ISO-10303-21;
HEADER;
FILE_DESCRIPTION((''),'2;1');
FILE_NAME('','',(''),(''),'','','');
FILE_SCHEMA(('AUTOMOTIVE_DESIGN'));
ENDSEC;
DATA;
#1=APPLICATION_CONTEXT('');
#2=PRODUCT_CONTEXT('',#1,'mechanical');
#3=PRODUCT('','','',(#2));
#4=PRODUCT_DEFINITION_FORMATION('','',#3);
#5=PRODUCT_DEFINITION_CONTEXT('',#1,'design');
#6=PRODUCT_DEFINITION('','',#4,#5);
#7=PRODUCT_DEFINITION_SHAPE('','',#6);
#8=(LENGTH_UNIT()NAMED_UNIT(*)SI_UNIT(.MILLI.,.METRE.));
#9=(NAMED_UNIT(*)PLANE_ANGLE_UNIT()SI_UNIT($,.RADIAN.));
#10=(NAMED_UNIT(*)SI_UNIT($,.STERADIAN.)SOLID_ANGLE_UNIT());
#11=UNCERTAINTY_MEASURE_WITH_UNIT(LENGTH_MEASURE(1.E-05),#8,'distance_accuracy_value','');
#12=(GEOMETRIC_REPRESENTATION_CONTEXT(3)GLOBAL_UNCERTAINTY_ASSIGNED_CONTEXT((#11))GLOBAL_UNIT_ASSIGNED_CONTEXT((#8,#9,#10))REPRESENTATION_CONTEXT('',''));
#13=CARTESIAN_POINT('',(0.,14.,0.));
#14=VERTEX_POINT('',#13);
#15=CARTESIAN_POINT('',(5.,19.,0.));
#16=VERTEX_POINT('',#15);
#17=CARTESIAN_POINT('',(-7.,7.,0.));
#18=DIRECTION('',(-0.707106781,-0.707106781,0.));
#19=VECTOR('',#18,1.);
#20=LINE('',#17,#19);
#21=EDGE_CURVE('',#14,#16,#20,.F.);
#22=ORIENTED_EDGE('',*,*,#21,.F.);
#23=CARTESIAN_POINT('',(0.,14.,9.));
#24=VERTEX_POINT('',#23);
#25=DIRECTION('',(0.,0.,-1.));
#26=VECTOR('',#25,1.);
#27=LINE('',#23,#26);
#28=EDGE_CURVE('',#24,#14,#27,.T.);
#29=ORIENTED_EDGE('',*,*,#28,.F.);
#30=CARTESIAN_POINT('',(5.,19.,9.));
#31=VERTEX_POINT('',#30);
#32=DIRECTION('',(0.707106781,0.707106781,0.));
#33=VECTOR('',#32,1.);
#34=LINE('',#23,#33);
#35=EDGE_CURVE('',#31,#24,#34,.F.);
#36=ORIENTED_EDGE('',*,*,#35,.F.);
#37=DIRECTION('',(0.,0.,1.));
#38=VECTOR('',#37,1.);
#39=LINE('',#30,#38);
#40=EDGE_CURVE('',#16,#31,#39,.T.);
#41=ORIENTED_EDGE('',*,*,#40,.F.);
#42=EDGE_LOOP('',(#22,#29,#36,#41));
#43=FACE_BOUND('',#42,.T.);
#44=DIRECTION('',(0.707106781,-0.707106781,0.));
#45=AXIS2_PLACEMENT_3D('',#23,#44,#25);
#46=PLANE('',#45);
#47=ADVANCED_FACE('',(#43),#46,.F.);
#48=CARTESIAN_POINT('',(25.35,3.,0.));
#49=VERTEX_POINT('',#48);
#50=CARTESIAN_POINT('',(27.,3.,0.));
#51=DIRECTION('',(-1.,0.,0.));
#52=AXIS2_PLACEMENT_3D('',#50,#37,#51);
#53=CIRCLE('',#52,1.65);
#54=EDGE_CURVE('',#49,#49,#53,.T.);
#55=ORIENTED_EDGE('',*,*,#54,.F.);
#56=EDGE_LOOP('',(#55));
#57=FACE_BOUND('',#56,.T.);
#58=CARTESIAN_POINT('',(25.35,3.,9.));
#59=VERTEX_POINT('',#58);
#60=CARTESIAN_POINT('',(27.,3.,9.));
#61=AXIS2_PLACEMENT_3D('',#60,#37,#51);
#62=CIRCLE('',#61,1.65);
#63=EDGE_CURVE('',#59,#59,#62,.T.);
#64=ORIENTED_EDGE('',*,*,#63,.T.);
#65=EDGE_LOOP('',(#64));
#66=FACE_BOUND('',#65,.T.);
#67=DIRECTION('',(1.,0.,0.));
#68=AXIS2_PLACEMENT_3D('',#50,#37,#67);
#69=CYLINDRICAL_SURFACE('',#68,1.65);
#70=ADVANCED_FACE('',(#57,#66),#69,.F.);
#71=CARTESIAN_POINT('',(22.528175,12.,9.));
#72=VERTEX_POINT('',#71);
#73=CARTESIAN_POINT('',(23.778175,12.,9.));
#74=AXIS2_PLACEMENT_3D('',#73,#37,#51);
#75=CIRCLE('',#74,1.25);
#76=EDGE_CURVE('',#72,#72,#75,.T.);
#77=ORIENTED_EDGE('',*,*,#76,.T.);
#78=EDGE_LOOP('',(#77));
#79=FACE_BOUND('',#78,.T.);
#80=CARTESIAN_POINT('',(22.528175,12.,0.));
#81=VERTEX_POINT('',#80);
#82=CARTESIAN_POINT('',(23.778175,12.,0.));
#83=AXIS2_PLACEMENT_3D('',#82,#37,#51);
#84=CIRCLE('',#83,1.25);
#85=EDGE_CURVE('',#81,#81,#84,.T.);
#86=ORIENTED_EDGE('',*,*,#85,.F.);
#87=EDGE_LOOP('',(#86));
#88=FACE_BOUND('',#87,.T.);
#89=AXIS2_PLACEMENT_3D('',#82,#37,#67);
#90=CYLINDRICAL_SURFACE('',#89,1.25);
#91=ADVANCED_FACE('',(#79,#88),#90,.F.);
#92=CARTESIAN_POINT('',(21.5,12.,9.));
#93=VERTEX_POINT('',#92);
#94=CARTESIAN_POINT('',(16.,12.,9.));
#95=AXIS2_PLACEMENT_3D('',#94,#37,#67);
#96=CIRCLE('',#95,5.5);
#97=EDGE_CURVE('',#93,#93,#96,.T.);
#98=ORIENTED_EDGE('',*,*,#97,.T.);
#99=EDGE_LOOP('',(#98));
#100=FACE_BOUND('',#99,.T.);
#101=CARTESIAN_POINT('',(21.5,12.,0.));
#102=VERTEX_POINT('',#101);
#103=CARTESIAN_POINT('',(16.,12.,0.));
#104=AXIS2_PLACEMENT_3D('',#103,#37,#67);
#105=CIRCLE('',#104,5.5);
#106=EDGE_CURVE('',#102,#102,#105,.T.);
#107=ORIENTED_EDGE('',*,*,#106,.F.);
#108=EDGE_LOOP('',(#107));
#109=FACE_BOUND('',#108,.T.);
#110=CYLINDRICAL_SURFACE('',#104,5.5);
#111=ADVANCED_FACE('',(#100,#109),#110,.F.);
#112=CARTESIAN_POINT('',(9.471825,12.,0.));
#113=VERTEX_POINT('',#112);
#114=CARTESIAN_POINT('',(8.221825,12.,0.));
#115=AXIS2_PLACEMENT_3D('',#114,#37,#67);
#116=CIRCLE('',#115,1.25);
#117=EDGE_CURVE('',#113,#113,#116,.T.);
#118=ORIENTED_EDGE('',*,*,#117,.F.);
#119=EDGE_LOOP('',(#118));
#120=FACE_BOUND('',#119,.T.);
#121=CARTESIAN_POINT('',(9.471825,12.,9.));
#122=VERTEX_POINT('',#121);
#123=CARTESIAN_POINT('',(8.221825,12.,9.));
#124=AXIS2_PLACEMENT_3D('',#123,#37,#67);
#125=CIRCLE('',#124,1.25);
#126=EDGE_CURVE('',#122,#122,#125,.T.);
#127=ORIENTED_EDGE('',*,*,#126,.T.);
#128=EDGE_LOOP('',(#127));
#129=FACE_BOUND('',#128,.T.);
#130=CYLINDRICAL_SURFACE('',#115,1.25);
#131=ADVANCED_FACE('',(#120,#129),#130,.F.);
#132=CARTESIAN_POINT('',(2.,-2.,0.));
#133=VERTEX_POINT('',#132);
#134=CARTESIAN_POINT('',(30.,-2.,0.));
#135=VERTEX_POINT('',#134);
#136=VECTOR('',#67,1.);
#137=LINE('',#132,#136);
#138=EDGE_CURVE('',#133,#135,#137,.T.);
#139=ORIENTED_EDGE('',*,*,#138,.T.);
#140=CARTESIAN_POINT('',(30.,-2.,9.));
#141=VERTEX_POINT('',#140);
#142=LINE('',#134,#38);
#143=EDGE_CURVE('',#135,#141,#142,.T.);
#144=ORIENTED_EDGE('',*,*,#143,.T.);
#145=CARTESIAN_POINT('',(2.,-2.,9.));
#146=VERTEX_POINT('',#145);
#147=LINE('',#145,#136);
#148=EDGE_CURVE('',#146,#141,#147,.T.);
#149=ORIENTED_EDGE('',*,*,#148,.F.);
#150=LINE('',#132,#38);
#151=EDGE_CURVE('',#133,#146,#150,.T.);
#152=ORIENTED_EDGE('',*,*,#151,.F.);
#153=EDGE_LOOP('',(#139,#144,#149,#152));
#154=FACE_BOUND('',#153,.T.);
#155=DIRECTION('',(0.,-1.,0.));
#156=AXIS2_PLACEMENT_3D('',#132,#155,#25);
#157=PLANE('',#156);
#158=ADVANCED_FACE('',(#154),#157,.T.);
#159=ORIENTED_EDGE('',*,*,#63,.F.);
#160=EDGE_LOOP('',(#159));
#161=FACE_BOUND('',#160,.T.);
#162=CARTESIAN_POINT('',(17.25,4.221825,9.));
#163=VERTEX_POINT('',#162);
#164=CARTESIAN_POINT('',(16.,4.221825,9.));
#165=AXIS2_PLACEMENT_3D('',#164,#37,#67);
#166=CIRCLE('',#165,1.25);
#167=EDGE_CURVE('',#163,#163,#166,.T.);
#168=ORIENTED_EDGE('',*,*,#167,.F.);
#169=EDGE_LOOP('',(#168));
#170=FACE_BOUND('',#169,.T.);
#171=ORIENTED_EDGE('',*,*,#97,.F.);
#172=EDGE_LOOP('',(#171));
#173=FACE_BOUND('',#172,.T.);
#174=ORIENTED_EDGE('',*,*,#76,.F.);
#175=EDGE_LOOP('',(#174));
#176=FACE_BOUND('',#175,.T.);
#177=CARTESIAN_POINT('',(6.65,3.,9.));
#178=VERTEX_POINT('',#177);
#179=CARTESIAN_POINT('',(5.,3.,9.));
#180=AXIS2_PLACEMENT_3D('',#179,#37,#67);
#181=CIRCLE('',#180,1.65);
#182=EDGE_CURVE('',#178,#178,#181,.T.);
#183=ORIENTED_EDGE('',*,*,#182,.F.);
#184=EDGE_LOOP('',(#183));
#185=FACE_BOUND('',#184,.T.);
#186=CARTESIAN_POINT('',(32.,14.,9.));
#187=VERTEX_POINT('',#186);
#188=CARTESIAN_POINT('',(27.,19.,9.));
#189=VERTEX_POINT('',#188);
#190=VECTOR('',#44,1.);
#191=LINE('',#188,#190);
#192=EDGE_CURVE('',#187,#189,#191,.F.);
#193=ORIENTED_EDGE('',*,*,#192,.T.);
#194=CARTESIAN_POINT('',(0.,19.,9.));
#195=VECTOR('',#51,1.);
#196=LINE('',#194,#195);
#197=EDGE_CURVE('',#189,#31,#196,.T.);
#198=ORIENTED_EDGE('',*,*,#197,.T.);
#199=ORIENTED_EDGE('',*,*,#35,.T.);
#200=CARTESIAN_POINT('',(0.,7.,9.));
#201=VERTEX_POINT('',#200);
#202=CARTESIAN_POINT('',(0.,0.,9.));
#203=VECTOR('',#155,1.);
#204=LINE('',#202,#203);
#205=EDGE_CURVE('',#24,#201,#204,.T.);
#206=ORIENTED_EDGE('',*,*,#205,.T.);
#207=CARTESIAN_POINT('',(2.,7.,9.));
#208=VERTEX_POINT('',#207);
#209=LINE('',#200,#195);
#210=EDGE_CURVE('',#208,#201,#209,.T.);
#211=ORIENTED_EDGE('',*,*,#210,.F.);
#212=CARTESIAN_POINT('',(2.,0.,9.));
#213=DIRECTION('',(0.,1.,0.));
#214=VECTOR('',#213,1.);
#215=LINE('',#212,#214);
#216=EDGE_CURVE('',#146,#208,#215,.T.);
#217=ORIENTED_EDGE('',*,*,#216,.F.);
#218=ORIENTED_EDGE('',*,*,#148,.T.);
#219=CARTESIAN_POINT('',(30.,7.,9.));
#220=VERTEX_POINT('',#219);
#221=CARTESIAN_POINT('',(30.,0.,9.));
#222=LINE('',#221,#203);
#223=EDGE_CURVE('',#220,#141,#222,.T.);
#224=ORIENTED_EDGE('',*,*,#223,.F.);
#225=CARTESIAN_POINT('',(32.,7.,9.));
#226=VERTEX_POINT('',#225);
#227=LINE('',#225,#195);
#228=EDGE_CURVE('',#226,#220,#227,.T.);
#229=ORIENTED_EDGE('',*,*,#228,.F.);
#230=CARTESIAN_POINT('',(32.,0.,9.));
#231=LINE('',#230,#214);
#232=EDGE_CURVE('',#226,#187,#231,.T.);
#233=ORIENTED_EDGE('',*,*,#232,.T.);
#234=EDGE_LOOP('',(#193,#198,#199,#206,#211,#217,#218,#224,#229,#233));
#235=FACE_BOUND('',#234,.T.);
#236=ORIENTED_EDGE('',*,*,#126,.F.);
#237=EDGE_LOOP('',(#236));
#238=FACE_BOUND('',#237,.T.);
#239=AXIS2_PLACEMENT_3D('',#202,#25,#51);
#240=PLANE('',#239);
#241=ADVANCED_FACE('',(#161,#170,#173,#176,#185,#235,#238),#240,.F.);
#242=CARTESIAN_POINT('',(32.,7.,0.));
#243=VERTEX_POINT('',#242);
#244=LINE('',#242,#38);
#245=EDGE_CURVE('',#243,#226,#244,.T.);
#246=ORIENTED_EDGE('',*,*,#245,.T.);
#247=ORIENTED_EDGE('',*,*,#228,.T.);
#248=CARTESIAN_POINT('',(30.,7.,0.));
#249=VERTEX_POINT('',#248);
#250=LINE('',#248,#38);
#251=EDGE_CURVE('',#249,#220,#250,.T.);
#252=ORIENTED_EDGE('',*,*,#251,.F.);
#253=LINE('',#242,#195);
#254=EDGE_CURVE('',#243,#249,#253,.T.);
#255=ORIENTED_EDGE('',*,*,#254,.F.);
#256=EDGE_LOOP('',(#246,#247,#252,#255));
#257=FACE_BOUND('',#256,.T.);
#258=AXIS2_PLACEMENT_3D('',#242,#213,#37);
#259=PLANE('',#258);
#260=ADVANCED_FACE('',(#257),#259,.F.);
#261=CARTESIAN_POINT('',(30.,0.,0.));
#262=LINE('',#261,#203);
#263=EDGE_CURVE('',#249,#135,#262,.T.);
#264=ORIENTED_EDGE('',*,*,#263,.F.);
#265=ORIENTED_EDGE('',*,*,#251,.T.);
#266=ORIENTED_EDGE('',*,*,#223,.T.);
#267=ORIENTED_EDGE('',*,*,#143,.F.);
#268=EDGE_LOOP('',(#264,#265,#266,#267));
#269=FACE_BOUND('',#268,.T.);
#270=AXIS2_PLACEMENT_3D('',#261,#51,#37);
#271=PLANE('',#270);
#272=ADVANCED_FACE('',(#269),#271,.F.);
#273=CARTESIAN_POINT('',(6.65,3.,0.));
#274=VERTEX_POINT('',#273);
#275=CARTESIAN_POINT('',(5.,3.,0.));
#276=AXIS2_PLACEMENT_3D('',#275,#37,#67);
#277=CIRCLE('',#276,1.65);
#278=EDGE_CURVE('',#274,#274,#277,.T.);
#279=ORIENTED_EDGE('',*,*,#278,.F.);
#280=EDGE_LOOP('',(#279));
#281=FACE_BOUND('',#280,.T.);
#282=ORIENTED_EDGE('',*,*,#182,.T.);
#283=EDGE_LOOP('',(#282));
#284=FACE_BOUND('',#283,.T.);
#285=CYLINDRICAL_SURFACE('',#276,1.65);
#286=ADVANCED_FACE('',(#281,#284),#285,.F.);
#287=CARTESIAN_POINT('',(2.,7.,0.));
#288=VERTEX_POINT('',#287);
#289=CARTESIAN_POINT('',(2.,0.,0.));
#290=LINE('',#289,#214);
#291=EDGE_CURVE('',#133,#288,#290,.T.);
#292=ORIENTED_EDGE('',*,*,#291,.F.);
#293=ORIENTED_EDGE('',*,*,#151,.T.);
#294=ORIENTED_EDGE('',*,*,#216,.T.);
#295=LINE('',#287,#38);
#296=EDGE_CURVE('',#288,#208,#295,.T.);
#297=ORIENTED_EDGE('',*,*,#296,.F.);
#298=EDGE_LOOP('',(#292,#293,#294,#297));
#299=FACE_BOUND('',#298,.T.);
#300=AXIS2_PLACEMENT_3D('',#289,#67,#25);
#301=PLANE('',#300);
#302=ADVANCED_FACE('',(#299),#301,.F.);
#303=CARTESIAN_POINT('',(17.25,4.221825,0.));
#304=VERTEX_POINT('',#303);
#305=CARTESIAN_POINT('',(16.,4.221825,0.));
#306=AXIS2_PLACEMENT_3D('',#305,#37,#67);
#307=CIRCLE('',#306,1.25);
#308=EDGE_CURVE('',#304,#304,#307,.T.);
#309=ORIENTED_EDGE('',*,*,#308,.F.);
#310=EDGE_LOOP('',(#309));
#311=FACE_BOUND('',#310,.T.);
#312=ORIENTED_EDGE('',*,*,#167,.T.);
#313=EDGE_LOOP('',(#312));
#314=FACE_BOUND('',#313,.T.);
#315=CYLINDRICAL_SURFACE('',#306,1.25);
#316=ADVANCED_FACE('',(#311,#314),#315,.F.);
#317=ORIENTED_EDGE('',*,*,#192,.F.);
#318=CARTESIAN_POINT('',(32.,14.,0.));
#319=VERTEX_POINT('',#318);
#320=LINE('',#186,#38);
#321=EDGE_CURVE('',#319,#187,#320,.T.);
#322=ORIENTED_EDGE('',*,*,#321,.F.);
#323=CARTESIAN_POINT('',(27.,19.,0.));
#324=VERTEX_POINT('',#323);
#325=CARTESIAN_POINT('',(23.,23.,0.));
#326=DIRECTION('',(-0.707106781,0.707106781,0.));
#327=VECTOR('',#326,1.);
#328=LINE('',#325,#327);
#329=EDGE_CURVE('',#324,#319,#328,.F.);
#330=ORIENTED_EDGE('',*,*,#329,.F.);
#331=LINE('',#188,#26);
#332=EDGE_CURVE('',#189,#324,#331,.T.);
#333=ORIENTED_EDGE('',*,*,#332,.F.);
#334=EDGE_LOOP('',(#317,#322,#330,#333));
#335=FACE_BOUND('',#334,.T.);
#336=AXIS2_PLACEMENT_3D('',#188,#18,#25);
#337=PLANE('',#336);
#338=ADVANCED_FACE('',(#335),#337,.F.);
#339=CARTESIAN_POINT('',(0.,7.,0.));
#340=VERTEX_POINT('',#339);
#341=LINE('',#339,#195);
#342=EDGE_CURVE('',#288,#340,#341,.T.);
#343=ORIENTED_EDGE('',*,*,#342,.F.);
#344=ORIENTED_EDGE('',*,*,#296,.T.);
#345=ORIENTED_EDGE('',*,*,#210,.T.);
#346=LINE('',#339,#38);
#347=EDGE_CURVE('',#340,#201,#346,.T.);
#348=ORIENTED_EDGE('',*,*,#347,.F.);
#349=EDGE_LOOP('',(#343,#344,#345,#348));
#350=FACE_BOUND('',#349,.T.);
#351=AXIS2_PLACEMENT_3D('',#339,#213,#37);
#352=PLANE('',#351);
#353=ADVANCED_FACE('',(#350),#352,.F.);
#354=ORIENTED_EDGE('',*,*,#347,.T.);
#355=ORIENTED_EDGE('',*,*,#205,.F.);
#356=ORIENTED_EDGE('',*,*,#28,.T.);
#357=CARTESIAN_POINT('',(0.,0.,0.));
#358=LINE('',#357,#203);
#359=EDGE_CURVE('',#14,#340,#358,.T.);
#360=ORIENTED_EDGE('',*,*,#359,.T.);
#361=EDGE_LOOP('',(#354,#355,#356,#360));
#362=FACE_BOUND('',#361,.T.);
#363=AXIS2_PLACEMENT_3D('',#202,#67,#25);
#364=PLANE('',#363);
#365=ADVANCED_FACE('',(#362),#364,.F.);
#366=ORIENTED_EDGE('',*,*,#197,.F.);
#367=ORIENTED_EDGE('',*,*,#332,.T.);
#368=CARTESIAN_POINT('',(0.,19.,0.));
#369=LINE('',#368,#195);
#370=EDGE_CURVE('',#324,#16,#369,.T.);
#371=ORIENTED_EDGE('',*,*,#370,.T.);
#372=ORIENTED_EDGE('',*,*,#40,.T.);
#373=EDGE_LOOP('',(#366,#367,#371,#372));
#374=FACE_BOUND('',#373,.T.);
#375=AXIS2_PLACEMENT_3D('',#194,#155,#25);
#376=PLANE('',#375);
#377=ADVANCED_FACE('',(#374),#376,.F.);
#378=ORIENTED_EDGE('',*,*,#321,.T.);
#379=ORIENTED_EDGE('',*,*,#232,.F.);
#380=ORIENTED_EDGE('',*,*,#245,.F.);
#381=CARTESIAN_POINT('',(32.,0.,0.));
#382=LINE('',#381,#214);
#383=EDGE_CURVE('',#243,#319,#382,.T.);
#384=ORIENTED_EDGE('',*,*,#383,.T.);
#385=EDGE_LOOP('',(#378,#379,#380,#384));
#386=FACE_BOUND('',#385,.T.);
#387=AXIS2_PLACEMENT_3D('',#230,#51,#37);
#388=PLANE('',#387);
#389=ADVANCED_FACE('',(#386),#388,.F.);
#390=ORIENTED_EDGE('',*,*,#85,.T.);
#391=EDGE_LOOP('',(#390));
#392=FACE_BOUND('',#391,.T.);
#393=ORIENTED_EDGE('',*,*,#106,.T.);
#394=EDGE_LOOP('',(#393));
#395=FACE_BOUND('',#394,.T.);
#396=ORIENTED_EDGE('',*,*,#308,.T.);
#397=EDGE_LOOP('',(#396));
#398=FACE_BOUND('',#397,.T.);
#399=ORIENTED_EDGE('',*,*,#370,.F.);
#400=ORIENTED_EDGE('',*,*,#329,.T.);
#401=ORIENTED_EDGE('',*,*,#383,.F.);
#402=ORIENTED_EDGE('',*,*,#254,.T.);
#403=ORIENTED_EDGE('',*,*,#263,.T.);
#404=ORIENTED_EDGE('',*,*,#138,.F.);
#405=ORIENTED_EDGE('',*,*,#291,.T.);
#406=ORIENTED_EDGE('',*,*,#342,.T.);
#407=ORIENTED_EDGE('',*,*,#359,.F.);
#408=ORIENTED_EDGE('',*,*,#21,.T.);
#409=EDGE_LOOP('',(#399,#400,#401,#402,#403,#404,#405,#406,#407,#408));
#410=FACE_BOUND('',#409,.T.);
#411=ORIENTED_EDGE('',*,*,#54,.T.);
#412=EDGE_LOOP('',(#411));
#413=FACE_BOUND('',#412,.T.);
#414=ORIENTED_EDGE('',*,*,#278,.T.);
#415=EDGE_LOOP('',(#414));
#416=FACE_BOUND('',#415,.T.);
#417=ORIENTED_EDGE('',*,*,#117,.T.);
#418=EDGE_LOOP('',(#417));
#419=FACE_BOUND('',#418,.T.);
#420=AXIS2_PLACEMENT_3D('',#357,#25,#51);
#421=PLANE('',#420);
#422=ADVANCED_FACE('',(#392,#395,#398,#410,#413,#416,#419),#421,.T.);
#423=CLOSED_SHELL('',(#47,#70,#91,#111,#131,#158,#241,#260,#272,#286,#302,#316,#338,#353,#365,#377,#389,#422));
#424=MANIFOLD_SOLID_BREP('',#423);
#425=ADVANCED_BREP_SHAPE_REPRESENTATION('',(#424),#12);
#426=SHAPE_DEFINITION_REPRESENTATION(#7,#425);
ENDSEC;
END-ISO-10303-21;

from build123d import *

# Parameters (mm, degrees)
ESQUISSE1_W             = 32
ESQUISSE1_H             = 19
BOSS_EXTRU_1_DEPTH      = 9
ESQUISSE2_R             = 5.5
ESQUISSE2_R_2           = 1.25
ESQUISSE2_R_3           = 1.65
ENL_V_MAT_EXTRU_1_DEPTH = 39.288379438
ESQUISSE3_W             = 2
ESQUISSE3_H             = 7
ENL_V_MAT_EXTRU_2_DEPTH = 39.288379438
ESQUISSE4_W             = 28
ESQUISSE4_H             = 2
BOSS_EXTRU_2_DEPTH      = 9
CHANFREIN1_SIZE         = 5


with BuildPart() as part:
    # Esquisse1 → Boss.-Extru.1 (new body)
    with BuildSketch(Plane.XY):
        with Locations((16, 9.5)):
            Rectangle(ESQUISSE1_W, ESQUISSE1_H)
    extrude(amount=BOSS_EXTRU_1_DEPTH)

    # Esquisse2 → Enlèv. mat.-Extru.1 (cut, through all)
    with BuildSketch(Plane.XY.offset(9)):
        with Locations((16, 12)):
            Circle(ESQUISSE2_R)
        with Locations((8.221825407, 12)):
            Circle(ESQUISSE2_R_2)
        with Locations(Location((23.778174593, 12, 0), (0, 0, 180))):
            Circle(ESQUISSE2_R_2)
        with Locations((16, 4.221825407)):
            Circle(ESQUISSE2_R_2)
        with Locations((5, 3)):
            Circle(ESQUISSE2_R_3)
        with Locations(Location((27, 3, 0), (0, 0, 180))):
            Circle(ESQUISSE2_R_3)
    extrude(amount=-ENL_V_MAT_EXTRU_1_DEPTH, mode=Mode.SUBTRACT)

    # Esquisse3 → Enlèv. mat.-Extru.2 (cut, through all)
    with BuildSketch(Plane.XY.offset(9)):
        with Locations((1, 3.5)):
            Rectangle(ESQUISSE3_W, ESQUISSE3_H)
        with Locations((31, 3.5)):
            Rectangle(ESQUISSE3_W, ESQUISSE3_H)
    extrude(amount=-ENL_V_MAT_EXTRU_2_DEPTH, mode=Mode.SUBTRACT)

    # Esquisse4 → Boss.-Extru.2 (add)
    with BuildSketch(Plane.XY.offset(9)):
        with Locations((16, -1)):
            Rectangle(ESQUISSE4_W, ESQUISSE4_H)
    extrude(amount=-BOSS_EXTRU_2_DEPTH)

    # Chanfrein1
    chanfrein1_edges = [part.edges().sort_by_distance(p)[0] for p in [
        (0, 19, 4.5),
        (32, 19, 4.5),
    ]]
    chamfer(chanfrein1_edges, length=CHANFREIN1_SIZE)


solid = part.part
